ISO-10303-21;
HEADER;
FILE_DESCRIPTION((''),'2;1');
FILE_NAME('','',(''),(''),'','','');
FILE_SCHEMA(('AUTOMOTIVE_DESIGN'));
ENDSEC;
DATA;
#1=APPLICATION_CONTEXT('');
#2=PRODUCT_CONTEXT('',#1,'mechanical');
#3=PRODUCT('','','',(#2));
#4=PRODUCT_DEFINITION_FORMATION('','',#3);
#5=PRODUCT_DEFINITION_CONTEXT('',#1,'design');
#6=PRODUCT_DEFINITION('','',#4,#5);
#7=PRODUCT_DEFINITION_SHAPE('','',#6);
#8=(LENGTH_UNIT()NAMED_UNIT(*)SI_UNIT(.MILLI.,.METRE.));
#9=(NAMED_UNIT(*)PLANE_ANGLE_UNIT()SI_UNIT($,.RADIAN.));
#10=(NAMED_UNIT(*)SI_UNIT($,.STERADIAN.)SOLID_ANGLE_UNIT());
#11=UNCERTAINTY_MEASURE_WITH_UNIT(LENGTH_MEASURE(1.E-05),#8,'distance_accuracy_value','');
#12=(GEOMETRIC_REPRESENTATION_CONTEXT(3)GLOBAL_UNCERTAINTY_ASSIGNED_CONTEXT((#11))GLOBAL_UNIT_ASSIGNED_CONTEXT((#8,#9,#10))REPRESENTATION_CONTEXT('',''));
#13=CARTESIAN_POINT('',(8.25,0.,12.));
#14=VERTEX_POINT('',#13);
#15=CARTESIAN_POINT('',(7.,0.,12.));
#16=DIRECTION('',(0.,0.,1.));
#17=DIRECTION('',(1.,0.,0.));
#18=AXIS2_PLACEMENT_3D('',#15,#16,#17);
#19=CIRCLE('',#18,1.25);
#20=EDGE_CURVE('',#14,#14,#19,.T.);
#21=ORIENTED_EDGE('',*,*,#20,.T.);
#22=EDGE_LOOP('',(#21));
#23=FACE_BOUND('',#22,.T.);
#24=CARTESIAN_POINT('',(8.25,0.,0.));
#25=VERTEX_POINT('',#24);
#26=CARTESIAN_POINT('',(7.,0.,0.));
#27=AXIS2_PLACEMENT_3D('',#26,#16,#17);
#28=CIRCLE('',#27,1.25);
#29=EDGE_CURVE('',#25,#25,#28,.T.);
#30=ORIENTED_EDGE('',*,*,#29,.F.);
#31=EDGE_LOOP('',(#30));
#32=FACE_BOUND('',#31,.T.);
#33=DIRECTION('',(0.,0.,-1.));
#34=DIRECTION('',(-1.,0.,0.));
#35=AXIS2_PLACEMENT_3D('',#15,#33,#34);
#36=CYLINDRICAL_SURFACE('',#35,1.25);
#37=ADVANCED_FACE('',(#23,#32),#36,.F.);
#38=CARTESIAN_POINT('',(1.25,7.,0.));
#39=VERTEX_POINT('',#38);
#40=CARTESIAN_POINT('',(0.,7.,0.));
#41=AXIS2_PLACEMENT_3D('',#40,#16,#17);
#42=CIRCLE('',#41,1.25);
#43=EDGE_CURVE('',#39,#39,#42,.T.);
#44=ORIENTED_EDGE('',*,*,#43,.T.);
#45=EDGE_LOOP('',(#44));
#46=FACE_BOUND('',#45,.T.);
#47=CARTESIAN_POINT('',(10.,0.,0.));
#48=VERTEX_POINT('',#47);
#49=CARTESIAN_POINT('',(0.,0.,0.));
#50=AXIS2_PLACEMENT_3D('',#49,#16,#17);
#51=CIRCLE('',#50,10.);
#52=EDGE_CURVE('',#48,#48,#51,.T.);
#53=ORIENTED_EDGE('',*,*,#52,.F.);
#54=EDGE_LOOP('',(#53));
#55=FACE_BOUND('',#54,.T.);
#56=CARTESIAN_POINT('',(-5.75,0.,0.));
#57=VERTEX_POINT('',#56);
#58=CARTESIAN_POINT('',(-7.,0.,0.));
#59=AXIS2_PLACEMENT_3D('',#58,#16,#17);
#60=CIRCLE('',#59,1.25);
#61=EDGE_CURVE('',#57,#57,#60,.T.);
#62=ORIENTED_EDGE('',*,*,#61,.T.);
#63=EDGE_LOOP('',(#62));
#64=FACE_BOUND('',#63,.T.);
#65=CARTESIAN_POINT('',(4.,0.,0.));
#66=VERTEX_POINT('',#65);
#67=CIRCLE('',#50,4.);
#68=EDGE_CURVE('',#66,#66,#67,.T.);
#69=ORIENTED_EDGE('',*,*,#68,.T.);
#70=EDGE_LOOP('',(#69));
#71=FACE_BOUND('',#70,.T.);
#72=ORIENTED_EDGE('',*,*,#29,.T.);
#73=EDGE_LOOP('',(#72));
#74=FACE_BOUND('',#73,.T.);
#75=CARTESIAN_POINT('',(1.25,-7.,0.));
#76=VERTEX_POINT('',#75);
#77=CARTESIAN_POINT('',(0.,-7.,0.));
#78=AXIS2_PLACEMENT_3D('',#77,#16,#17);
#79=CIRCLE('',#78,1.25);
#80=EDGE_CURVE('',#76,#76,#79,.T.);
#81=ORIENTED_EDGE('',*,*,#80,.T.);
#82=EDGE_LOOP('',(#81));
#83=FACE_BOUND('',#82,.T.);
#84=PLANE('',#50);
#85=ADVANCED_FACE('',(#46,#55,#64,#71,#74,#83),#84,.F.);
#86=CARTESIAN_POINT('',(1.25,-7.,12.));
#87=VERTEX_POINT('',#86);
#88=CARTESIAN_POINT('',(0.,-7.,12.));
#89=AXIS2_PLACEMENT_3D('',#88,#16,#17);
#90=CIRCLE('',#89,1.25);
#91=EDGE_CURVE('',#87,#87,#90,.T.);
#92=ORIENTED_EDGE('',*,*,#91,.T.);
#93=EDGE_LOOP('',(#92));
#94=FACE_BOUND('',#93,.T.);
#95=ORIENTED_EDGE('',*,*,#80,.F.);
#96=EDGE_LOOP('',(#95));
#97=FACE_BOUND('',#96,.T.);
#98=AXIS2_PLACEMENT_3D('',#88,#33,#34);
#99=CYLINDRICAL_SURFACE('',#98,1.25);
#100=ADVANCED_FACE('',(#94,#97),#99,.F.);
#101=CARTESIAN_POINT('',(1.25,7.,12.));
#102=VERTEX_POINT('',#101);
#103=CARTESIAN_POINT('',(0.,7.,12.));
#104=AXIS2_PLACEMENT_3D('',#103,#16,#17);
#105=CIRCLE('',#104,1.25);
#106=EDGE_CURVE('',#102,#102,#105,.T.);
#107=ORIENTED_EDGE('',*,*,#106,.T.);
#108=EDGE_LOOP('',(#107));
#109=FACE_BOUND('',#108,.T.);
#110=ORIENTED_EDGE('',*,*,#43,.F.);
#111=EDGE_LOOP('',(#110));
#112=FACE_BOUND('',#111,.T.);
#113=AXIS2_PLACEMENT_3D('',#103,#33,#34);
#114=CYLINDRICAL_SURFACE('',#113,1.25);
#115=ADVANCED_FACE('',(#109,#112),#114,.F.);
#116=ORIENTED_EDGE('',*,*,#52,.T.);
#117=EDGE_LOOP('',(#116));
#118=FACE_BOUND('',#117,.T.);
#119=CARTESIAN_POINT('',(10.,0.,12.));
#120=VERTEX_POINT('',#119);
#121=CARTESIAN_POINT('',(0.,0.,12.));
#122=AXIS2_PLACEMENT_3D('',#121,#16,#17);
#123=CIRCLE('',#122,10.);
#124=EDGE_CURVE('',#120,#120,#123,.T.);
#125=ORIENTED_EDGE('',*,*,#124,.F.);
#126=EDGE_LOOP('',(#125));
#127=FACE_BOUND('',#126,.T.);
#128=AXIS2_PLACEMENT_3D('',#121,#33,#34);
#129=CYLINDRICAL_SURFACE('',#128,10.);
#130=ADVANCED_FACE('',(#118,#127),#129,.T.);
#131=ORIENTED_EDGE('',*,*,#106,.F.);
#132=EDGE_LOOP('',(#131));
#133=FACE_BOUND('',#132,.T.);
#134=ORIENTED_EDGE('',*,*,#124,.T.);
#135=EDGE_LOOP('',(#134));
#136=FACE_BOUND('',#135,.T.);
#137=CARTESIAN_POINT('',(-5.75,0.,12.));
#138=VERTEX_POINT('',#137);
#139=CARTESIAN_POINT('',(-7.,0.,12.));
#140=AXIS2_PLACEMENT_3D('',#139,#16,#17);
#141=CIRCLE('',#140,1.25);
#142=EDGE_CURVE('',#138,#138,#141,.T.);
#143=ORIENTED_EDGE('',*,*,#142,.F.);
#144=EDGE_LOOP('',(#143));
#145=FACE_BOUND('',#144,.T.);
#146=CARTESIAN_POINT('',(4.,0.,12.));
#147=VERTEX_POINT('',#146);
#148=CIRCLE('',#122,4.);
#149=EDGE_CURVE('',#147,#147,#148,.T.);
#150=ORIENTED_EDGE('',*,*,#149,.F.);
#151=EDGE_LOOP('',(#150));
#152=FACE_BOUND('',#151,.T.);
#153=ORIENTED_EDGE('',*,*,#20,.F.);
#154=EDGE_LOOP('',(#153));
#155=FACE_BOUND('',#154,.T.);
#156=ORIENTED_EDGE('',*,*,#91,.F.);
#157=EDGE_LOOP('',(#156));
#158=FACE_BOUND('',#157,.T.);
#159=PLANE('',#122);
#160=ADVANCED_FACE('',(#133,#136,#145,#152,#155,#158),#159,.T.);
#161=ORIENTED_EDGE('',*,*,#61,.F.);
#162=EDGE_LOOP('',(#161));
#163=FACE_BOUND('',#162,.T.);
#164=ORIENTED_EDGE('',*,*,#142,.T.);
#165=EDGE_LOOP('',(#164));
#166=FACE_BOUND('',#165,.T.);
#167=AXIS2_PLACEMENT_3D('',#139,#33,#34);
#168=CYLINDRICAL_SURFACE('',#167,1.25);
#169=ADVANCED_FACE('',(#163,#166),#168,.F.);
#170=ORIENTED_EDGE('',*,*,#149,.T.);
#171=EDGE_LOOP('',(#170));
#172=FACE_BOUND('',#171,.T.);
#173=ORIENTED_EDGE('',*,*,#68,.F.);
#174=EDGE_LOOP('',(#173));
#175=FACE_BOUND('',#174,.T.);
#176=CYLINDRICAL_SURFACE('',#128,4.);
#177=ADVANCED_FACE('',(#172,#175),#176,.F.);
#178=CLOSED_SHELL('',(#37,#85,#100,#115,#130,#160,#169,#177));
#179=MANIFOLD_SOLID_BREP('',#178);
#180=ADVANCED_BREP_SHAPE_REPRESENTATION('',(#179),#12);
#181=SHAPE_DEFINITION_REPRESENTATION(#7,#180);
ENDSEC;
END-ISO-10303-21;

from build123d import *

# Parameters (mm, degrees)
SKETCH_1_R      = 10
SKETCH_1_R_2    = 4
SKETCH_1_R_3    = 1.25
EXTRUDE_1_DEPTH = 12


with BuildPart() as part:
    # 草图1 → 凸台-拉伸1 (new body)
    with BuildSketch(Plane.XY):
        Circle(SKETCH_1_R)
        Circle(SKETCH_1_R_2, mode=Mode.SUBTRACT)
        with Locations((7, 0)):
            Circle(SKETCH_1_R_3, mode=Mode.SUBTRACT)
        with Locations((0, -7)):
            Circle(SKETCH_1_R_3, mode=Mode.SUBTRACT)
        with Locations((-7, 0)):
            Circle(SKETCH_1_R_3, mode=Mode.SUBTRACT)
        with Locations((0, 7)):
            Circle(SKETCH_1_R_3, mode=Mode.SUBTRACT)
    extrude(amount=EXTRUDE_1_DEPTH)


solid = part.part
